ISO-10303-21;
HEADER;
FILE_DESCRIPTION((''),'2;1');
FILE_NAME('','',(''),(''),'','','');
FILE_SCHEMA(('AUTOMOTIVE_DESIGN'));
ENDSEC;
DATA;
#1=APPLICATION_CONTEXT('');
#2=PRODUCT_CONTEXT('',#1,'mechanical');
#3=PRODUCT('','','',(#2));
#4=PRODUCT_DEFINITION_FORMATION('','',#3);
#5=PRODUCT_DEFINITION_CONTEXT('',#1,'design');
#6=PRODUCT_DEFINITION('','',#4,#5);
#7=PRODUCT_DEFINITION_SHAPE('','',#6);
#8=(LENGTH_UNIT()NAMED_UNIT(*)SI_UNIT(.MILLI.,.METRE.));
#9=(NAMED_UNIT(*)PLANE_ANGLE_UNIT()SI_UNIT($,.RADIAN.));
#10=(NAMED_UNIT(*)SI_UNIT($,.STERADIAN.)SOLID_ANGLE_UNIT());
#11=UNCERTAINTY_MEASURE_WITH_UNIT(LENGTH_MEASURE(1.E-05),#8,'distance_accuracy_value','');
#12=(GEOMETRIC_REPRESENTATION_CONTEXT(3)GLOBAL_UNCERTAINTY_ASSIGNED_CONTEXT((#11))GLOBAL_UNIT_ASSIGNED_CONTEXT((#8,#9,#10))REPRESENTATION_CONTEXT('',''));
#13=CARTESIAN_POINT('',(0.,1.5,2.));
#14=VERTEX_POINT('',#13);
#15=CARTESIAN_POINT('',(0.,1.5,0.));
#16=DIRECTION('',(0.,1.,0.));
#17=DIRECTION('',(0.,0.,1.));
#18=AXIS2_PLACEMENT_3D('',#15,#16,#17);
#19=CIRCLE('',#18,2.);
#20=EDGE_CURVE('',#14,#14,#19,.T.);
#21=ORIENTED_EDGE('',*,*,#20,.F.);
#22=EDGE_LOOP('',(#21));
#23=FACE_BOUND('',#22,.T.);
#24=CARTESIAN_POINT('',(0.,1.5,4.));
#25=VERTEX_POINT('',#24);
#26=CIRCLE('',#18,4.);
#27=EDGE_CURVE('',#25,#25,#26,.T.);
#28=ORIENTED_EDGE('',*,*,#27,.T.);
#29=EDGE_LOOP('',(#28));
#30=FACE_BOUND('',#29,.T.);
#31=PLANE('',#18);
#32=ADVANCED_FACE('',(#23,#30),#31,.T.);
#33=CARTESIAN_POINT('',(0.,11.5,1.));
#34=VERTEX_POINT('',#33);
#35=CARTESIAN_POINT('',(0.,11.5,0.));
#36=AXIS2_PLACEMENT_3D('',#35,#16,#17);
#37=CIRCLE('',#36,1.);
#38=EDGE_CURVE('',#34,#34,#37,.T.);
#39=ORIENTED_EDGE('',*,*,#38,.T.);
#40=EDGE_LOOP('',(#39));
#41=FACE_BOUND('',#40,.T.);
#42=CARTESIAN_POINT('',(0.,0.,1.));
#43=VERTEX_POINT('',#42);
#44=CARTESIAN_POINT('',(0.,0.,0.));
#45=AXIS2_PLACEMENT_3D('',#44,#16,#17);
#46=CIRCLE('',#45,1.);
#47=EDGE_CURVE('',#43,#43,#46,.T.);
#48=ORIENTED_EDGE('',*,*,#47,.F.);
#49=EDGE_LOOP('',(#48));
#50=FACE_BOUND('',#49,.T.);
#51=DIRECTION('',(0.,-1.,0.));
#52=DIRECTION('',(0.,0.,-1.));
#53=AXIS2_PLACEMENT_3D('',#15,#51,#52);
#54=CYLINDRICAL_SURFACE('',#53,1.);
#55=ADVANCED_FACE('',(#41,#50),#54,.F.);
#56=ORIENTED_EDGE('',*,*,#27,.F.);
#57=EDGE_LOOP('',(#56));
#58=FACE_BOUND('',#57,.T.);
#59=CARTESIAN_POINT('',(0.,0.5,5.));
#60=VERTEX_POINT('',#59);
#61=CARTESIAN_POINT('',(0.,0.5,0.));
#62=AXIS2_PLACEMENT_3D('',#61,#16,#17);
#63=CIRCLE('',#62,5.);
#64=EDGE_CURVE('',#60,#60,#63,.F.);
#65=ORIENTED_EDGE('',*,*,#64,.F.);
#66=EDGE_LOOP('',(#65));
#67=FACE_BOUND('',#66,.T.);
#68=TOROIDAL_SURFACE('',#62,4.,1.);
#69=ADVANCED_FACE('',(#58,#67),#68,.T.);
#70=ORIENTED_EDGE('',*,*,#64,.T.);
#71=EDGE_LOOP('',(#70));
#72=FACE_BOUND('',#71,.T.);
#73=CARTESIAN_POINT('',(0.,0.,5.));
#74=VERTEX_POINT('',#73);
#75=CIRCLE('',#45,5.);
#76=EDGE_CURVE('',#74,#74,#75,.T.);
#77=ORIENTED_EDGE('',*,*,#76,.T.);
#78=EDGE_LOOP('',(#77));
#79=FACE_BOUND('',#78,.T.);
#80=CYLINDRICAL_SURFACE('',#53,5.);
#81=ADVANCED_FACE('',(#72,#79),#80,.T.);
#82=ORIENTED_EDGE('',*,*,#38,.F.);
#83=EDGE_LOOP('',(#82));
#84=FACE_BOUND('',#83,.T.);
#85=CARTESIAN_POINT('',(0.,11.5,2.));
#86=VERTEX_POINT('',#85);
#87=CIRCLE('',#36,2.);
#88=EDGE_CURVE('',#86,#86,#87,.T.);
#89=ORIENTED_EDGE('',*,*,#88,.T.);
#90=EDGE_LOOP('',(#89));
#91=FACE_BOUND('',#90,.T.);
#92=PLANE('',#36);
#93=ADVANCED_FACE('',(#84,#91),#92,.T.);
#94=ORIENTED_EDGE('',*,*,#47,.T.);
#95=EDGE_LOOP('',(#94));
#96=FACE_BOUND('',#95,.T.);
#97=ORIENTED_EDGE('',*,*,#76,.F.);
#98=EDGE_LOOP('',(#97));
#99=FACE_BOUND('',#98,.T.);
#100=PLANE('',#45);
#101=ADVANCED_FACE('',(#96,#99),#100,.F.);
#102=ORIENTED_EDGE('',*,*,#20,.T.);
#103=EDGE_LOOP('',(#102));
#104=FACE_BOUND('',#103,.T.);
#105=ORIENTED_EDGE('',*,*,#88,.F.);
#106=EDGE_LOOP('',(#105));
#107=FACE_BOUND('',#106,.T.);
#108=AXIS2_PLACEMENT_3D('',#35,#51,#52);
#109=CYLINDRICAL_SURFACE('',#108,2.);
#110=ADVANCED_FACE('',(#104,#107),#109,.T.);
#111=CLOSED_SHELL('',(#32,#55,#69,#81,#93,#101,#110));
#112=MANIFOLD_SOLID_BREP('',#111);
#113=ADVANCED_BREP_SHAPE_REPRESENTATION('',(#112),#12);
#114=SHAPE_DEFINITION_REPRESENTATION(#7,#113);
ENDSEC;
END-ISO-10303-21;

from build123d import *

# Parameters (mm, degrees)
SKETCH_1_R      = 5
SKETCH_1_R_2    = 1
EXTRUDE_1_DEPTH = 1.5
FILLET_1_R      = 1
SKETCH_2_R      = 2
SKETCH_2_R_2    = 1
EXTRUDE_2_DEPTH = 10


with BuildPart() as part:
    # Эскиз1 → Бобышка-Вытянуть1 (new body)
    with BuildSketch(Plane(origin=(0, 0, 0), x_dir=(1, 0, 0), z_dir=(0, 1, 0))):
        with Locations(Location((0, 0, 0), (0, 0, 270))):
            Circle(SKETCH_1_R)
        with Locations(Location((0, 0, 0), (0, 0, 270))):
            Circle(SKETCH_1_R_2, mode=Mode.SUBTRACT)
    extrude(amount=EXTRUDE_1_DEPTH)

    # Скругление1
    fillet_1_edges = [part.edges().sort_by_distance(p)[0] for p in [
        (0, 1.5, -5),
    ]]
    fillet(fillet_1_edges, radius=FILLET_1_R)

    # Эскиз2 → Бобышка-Вытянуть2 (add)
    with BuildSketch(Plane(origin=(0, 1.5, 0), x_dir=(1, 0, 0), z_dir=(0, 1, 0))):
        with Locations(Location((0, 0, 0), (0, 0, 270))):
            Circle(SKETCH_2_R)
        with Locations(Location((0, 0, 0), (0, 0, 270))):
            Circle(SKETCH_2_R_2, mode=Mode.SUBTRACT)
    extrude(amount=EXTRUDE_2_DEPTH)


solid = part.part
